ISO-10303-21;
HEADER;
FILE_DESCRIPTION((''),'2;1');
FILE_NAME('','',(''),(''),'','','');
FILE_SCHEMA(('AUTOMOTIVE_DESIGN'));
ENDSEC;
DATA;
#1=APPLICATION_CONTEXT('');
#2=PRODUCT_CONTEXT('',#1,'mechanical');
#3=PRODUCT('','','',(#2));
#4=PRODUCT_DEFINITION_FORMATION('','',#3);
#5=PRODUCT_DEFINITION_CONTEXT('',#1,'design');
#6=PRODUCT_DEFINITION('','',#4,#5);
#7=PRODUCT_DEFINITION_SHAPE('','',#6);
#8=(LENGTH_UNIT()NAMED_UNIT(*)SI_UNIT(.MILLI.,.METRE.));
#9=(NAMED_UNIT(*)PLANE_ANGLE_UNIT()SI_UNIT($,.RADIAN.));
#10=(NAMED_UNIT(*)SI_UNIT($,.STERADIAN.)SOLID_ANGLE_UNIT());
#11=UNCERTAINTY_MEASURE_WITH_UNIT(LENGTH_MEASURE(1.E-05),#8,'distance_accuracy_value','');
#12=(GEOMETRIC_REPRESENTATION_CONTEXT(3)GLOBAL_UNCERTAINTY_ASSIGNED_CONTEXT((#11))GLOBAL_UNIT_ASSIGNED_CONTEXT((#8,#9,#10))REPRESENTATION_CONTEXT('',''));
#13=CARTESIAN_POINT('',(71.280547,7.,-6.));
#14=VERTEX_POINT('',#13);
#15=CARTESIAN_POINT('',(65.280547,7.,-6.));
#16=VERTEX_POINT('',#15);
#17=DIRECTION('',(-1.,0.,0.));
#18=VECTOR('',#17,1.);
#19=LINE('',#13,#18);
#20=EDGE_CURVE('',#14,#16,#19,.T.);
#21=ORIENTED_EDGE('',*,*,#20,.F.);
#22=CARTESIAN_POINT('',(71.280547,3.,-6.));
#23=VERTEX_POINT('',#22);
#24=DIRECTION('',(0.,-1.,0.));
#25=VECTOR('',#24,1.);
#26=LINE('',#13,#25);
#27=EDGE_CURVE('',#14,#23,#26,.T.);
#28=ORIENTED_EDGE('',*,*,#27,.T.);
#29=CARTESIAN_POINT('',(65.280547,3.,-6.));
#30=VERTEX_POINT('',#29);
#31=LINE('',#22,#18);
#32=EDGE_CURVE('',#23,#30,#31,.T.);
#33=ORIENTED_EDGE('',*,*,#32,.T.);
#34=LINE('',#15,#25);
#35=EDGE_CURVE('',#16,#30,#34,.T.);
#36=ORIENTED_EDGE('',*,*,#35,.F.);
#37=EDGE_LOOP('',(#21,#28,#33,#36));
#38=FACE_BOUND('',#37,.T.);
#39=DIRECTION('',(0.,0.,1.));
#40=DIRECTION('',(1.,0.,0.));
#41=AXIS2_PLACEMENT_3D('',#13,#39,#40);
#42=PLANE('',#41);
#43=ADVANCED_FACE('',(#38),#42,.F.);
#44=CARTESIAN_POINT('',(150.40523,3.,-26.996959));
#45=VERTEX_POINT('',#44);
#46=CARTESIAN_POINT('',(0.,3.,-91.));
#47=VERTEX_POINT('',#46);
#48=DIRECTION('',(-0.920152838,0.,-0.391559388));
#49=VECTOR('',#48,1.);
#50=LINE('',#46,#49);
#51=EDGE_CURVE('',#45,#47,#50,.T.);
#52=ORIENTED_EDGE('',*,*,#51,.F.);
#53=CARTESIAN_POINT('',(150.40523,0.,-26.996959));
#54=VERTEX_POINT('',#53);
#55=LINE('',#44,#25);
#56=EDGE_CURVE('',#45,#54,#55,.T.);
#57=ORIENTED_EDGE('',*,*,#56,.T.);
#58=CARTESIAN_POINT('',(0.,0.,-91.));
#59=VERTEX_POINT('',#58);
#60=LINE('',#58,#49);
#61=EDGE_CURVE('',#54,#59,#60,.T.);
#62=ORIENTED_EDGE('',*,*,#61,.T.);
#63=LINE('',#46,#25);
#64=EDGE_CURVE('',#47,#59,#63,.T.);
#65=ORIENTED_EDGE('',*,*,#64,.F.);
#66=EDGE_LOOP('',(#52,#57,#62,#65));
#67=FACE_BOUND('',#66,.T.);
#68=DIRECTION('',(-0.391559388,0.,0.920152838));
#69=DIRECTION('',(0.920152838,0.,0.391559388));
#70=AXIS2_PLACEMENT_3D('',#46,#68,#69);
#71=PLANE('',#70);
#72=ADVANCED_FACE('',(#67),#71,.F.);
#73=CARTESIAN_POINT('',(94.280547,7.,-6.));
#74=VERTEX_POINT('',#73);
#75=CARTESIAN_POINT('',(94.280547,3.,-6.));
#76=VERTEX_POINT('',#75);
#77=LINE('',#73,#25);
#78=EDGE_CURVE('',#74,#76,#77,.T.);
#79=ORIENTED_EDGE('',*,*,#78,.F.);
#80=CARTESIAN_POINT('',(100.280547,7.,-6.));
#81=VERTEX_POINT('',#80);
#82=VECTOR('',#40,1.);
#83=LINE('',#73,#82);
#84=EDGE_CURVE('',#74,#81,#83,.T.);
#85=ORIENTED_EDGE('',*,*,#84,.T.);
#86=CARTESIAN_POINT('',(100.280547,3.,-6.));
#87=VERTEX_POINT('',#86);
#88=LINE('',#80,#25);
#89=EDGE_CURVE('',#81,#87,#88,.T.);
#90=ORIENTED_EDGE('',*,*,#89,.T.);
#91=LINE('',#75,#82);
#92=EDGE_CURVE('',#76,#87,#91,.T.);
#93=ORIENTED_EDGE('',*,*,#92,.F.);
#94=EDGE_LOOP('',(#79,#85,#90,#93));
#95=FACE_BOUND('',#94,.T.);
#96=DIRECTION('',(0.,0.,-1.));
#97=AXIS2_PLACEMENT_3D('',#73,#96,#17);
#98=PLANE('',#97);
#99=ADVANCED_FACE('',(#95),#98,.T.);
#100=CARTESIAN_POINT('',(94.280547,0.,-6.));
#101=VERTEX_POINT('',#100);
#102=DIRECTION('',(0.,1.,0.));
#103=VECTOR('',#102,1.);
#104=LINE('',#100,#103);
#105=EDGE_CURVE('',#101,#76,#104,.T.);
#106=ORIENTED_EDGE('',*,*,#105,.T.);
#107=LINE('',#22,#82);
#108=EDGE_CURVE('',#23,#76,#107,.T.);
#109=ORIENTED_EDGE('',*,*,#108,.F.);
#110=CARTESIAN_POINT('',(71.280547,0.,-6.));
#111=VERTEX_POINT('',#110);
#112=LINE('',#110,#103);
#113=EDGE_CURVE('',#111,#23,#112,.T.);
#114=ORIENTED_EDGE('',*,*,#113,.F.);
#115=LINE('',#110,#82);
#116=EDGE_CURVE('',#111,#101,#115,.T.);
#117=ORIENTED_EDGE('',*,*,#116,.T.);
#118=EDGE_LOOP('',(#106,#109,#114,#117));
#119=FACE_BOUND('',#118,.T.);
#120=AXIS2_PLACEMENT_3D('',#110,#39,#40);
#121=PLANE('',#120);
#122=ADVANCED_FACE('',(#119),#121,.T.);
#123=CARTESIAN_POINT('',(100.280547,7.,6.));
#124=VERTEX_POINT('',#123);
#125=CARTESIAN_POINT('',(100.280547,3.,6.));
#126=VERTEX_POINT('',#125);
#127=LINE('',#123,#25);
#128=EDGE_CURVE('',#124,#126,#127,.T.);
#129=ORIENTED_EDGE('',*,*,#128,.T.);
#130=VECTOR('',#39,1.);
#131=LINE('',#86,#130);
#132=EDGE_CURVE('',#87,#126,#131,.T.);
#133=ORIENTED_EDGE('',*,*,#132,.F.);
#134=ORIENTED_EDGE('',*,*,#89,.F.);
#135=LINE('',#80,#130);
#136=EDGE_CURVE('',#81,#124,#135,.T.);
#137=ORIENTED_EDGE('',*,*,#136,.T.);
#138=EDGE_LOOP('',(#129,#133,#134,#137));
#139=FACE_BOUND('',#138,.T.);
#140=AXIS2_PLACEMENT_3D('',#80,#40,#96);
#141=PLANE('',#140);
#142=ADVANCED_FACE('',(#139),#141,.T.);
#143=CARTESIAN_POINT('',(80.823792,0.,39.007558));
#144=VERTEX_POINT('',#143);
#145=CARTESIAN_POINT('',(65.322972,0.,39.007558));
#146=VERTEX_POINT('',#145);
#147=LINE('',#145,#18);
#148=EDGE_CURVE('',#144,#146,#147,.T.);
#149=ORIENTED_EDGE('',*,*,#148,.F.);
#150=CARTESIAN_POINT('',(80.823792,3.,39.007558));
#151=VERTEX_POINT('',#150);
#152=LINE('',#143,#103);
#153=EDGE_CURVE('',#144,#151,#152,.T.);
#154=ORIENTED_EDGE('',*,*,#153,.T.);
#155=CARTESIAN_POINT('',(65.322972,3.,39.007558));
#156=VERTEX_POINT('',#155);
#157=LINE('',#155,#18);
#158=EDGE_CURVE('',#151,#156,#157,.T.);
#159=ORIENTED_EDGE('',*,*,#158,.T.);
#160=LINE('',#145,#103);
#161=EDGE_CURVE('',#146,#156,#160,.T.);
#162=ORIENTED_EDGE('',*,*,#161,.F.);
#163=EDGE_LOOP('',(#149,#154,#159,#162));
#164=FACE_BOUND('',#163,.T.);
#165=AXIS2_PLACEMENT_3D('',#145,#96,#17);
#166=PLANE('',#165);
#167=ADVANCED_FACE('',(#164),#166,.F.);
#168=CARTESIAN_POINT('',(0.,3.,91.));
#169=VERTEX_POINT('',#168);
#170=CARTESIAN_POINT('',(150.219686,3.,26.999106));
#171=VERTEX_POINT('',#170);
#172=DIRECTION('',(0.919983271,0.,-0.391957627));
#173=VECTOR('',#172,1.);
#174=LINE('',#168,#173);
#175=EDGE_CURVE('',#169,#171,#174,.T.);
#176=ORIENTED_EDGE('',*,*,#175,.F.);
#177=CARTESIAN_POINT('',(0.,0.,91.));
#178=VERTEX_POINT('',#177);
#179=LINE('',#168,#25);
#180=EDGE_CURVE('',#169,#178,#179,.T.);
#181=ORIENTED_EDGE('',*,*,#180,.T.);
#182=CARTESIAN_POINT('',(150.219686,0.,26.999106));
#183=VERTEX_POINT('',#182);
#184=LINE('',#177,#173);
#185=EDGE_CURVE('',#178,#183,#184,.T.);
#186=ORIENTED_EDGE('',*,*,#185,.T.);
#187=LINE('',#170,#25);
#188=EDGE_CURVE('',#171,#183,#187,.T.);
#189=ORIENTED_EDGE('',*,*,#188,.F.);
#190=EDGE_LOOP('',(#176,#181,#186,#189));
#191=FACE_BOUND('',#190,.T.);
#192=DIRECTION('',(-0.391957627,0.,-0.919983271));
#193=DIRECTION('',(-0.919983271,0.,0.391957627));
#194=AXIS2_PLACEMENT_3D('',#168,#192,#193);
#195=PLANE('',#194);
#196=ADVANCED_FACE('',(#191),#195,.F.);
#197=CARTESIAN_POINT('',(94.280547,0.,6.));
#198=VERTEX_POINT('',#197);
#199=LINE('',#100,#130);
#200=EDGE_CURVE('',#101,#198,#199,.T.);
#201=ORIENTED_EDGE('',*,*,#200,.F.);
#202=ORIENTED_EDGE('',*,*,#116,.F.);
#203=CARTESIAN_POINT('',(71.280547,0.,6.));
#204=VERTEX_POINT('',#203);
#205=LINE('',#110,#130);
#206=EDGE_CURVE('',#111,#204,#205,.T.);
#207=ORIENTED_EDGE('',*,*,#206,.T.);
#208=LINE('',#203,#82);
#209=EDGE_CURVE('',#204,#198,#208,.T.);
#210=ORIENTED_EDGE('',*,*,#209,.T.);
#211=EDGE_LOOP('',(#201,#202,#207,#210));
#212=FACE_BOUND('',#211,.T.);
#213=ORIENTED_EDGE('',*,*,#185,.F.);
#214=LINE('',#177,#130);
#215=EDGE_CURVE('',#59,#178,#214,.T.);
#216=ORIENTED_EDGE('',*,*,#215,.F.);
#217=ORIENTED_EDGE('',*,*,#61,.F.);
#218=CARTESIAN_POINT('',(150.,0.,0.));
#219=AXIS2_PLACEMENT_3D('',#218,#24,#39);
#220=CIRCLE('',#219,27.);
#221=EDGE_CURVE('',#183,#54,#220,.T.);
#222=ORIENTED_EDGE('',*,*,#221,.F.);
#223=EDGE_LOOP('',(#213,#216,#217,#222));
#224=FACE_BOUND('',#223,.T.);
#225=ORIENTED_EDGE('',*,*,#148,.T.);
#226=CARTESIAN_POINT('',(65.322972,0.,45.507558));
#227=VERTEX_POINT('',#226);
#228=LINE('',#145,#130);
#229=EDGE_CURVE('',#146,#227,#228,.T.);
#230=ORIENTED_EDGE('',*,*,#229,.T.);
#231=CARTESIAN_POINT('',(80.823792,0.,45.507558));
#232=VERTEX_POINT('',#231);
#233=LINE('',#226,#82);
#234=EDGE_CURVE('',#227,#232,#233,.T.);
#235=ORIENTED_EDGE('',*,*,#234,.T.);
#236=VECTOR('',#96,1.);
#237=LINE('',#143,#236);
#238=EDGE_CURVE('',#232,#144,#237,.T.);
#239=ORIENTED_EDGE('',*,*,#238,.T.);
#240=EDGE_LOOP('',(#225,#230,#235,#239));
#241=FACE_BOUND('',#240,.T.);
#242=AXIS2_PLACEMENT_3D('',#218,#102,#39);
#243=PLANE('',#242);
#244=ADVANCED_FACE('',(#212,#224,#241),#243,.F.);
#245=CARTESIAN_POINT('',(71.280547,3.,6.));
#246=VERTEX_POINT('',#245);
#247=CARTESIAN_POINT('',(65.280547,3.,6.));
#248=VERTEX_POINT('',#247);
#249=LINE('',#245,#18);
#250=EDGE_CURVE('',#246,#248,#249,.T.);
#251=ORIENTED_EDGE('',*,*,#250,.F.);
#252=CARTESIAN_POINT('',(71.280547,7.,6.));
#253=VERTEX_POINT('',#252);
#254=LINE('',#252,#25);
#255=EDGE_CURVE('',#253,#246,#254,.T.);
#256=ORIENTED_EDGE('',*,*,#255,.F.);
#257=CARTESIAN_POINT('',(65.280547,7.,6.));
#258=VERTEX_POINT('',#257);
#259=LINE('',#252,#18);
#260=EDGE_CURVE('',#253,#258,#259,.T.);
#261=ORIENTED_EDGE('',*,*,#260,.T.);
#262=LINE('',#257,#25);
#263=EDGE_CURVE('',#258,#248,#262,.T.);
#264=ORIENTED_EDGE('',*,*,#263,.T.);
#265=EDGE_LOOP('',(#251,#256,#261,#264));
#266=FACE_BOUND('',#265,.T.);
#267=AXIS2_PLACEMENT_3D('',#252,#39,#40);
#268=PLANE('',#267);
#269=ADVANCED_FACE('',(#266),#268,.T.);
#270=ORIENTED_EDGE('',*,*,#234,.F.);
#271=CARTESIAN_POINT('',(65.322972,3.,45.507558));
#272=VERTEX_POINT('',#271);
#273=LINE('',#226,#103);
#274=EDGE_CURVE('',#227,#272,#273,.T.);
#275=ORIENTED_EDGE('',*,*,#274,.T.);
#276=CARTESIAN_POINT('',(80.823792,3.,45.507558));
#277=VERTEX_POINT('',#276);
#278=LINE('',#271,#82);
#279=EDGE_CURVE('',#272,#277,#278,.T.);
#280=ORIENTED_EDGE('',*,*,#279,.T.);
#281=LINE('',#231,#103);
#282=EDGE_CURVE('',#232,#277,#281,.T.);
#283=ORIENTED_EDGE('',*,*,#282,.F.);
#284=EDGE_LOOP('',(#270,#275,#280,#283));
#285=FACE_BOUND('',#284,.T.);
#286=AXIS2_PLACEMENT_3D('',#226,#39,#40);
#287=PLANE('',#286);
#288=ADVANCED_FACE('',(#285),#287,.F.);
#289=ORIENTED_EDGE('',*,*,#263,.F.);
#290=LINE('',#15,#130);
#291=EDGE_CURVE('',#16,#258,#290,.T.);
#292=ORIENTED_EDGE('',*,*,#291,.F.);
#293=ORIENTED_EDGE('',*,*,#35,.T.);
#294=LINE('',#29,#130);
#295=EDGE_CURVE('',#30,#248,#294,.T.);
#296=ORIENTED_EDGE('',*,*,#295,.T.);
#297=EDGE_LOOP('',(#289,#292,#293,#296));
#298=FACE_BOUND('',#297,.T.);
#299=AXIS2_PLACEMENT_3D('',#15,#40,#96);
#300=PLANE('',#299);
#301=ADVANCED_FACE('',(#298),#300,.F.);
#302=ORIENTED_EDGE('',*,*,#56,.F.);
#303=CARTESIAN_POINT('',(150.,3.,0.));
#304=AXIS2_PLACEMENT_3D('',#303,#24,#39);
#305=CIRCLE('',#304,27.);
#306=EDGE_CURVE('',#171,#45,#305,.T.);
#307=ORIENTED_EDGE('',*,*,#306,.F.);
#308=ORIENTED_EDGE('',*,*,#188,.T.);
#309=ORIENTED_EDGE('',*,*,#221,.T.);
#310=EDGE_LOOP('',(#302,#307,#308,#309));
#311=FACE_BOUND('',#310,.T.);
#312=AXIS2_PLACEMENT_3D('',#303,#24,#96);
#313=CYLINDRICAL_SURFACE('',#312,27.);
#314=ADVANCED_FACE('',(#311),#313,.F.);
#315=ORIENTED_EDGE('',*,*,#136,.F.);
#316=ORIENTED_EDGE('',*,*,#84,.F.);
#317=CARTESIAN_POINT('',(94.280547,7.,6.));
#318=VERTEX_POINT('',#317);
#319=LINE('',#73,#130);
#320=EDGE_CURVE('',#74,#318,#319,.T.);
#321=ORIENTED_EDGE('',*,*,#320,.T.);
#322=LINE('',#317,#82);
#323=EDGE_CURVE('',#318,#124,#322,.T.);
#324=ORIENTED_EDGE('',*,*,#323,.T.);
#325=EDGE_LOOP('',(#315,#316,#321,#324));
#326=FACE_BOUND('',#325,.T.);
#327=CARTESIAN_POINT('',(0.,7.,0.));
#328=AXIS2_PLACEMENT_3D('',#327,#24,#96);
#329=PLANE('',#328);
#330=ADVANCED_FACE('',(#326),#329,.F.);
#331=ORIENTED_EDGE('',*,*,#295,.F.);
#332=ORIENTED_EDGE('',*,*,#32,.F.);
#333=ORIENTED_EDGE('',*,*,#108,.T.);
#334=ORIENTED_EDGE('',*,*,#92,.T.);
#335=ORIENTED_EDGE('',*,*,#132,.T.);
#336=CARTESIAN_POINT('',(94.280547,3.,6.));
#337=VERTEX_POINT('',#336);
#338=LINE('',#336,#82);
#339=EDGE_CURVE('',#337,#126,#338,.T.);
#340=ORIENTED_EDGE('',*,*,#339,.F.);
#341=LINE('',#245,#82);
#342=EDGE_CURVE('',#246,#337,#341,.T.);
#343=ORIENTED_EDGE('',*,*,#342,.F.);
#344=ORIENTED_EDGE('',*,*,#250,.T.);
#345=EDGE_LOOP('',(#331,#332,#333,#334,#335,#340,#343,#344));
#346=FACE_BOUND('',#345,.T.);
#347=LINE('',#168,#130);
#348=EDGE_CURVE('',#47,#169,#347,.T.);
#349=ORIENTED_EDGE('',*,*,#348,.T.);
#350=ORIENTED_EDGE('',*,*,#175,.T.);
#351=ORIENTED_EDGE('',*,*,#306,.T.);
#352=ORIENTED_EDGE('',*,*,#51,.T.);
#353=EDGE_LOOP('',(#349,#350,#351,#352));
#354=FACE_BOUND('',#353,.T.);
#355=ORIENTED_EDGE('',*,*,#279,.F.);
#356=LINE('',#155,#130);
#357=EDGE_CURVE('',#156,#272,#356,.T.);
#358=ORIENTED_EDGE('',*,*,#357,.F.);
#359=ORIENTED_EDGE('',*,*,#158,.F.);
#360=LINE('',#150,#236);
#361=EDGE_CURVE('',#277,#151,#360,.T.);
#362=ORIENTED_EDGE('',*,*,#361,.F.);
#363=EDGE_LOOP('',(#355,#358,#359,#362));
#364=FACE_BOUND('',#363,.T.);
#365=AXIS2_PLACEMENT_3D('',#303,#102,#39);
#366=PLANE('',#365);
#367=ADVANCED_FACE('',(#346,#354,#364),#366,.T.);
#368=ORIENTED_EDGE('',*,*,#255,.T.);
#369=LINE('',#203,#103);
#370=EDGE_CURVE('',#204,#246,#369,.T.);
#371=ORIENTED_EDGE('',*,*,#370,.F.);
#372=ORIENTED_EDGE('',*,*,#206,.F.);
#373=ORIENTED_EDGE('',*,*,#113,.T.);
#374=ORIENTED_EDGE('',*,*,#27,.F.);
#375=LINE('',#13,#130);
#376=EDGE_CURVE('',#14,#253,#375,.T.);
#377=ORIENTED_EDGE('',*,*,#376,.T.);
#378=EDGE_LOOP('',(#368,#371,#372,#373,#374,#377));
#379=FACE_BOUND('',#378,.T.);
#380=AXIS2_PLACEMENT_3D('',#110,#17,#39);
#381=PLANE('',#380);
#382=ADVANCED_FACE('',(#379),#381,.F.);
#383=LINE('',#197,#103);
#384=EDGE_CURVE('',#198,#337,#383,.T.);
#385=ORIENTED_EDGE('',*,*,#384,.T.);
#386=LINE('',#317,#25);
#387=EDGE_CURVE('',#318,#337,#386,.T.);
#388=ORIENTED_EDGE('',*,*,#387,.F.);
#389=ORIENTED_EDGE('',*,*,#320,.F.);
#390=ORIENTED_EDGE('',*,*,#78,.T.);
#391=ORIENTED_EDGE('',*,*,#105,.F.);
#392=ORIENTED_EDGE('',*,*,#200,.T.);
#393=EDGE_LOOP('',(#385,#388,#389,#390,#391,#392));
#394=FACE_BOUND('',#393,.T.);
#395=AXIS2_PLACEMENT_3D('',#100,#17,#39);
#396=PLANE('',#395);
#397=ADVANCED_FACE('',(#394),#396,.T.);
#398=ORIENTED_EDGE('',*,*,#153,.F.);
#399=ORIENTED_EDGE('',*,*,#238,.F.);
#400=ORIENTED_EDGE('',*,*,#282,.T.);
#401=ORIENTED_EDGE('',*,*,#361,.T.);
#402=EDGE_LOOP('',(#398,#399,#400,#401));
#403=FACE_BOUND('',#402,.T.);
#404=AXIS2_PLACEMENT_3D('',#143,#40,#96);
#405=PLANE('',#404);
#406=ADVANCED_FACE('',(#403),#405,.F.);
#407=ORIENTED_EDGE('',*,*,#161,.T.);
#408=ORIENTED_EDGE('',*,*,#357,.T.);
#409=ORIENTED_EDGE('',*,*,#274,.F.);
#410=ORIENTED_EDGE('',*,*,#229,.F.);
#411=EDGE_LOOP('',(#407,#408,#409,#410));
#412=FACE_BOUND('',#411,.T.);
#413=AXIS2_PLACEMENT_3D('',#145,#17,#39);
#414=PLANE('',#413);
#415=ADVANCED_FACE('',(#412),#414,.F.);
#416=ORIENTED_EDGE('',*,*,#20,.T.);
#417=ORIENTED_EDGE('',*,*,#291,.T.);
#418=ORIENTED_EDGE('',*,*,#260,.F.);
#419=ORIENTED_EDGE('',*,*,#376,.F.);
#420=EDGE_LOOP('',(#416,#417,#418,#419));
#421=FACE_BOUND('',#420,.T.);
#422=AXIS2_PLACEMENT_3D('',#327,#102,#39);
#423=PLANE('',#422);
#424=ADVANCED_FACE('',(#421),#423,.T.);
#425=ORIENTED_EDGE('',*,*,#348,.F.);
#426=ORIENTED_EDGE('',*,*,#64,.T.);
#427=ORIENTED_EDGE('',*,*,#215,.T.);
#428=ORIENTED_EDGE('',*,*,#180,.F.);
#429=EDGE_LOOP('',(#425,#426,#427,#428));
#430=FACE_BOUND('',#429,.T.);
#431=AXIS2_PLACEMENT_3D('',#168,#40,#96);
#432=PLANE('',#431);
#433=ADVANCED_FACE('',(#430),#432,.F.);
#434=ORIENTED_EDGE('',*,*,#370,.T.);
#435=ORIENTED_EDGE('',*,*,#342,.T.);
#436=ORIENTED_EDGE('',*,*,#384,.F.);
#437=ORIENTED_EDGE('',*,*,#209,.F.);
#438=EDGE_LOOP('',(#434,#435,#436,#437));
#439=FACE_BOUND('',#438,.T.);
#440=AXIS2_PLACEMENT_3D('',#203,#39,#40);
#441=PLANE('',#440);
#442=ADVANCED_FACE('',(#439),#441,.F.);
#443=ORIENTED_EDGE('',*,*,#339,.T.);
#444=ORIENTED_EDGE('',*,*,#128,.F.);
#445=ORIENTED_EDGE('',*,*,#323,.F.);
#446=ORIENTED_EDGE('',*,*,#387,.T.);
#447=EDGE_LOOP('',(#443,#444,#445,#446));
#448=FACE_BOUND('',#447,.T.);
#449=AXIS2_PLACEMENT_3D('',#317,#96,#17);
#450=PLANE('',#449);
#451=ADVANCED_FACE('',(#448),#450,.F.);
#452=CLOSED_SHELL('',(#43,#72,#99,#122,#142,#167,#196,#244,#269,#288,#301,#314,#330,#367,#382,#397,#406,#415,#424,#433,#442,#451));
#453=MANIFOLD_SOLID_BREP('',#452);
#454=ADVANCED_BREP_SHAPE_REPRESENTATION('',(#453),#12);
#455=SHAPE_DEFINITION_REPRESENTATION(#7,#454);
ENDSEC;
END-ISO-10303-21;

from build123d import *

# Parameters (mm, degrees)
BOSS_EXTRUDE1_DEPTH = 3
SKETCH2_W           = 15.500819923
SKETCH2_H           = 6.5
CUT_EXTRUDE1_DEPTH  = 176.817329233
SKETCH3_W           = 23
SKETCH3_H           = 12
CUT_EXTRUDE2_DEPTH  = 176.817329233
SKETCH4_W           = 6
SKETCH4_H           = 12
BOSS_EXTRUDE2_DEPTH = 4


with BuildPart() as part:
    # Sketch1 → Boss-Extrude1 (new body)
    with BuildSketch(Plane(origin=(0, 0, 0), x_dir=(1, 0, 0), z_dir=(0, 1, 0))):
        with BuildLine():
            Line((0, -91), (0, 91))
            Line((0, 91), (150.405230157, 26.996958875))
            ThreePointArc((150.405230157, 26.996958875), (123.000159405, 0.092778483), (150.219685616, -26.999106249))
            Line((150.219685616, -26.999106249), (0, -91))
        make_face()
    extrude(amount=BOSS_EXTRUDE1_DEPTH)

    # Sketch2 → Cut-Extrude1 (cut, through all)
    with BuildSketch(Plane(origin=(0, 3, 0), x_dir=(1, 0, 0), z_dir=(0, 1, 0))):
        with Locations((73.073381573, -42.257557828)):
            Rectangle(SKETCH2_W, SKETCH2_H)
    extrude(amount=-CUT_EXTRUDE1_DEPTH, mode=Mode.SUBTRACT)

    # Sketch3 → Cut-Extrude2 (cut, through all)
    with BuildSketch(Plane(origin=(0, 3, 0), x_dir=(1, 0, 0), z_dir=(0, 1, 0))):
        with Locations((82.780547291, 0)):
            Rectangle(SKETCH3_W, SKETCH3_H)
    extrude(amount=-CUT_EXTRUDE2_DEPTH, mode=Mode.SUBTRACT)

    # Sketch4 → Boss-Extrude2 (add)
    with BuildSketch(Plane(origin=(0, 3, 0), x_dir=(1, 0, 0), z_dir=(0, 1, 0))):
        with Locations((97.280547291, 0)):
            Rectangle(SKETCH4_W, SKETCH4_H)
        with Locations((68.280547291, 0)):
            Rectangle(SKETCH4_W, SKETCH4_H)
    extrude(amount=BOSS_EXTRUDE2_DEPTH)


solid = part.part
